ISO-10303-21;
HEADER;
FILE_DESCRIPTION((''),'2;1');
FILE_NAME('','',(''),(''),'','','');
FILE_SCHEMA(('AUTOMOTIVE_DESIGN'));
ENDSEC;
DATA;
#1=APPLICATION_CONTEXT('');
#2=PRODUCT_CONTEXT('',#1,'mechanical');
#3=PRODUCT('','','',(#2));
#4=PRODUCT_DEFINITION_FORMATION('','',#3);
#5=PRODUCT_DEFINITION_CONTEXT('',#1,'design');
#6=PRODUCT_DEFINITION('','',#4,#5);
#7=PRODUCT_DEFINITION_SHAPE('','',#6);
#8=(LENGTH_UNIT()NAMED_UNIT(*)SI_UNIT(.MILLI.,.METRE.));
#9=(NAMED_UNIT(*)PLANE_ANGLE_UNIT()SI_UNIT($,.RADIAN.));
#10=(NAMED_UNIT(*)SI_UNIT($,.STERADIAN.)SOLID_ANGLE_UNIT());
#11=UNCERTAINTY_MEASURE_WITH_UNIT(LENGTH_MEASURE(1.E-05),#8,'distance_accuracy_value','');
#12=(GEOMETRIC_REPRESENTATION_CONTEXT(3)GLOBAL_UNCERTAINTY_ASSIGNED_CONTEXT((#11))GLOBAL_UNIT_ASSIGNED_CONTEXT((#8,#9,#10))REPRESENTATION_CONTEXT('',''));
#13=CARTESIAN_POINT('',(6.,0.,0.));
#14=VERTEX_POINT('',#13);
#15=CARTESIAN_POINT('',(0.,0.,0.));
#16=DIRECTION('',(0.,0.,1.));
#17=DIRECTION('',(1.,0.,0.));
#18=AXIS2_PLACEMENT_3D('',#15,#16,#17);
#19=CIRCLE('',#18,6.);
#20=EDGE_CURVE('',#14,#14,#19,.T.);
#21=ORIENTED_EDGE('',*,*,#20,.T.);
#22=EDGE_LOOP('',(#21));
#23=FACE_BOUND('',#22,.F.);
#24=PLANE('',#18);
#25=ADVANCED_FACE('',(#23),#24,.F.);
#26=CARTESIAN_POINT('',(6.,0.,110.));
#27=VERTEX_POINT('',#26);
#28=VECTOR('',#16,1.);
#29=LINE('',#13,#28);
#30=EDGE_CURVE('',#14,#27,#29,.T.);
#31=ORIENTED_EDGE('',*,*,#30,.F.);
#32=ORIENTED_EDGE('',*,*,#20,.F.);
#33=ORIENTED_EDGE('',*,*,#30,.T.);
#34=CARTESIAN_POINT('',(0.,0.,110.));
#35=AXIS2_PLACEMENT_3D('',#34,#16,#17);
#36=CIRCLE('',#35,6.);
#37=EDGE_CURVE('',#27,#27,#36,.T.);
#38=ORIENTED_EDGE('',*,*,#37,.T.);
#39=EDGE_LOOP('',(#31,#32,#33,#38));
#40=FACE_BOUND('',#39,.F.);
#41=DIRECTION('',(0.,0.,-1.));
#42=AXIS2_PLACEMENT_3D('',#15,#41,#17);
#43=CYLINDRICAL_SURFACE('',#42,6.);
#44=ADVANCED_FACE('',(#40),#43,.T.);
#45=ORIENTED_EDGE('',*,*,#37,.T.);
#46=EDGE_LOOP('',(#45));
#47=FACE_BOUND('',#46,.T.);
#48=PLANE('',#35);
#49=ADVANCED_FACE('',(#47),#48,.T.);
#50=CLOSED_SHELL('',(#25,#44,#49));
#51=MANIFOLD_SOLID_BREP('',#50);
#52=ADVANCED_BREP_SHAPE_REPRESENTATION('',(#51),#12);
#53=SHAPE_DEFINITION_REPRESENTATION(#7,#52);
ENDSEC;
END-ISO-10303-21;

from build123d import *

# Parameters (mm, degrees)
SKETCH_R  = 6
PAD_DEPTH = 110


with BuildPart() as part:
    # Sketch → Pad (new body)
    with BuildSketch(Plane.XY):
        Circle(SKETCH_R)
    extrude(amount=PAD_DEPTH)


solid = part.part
